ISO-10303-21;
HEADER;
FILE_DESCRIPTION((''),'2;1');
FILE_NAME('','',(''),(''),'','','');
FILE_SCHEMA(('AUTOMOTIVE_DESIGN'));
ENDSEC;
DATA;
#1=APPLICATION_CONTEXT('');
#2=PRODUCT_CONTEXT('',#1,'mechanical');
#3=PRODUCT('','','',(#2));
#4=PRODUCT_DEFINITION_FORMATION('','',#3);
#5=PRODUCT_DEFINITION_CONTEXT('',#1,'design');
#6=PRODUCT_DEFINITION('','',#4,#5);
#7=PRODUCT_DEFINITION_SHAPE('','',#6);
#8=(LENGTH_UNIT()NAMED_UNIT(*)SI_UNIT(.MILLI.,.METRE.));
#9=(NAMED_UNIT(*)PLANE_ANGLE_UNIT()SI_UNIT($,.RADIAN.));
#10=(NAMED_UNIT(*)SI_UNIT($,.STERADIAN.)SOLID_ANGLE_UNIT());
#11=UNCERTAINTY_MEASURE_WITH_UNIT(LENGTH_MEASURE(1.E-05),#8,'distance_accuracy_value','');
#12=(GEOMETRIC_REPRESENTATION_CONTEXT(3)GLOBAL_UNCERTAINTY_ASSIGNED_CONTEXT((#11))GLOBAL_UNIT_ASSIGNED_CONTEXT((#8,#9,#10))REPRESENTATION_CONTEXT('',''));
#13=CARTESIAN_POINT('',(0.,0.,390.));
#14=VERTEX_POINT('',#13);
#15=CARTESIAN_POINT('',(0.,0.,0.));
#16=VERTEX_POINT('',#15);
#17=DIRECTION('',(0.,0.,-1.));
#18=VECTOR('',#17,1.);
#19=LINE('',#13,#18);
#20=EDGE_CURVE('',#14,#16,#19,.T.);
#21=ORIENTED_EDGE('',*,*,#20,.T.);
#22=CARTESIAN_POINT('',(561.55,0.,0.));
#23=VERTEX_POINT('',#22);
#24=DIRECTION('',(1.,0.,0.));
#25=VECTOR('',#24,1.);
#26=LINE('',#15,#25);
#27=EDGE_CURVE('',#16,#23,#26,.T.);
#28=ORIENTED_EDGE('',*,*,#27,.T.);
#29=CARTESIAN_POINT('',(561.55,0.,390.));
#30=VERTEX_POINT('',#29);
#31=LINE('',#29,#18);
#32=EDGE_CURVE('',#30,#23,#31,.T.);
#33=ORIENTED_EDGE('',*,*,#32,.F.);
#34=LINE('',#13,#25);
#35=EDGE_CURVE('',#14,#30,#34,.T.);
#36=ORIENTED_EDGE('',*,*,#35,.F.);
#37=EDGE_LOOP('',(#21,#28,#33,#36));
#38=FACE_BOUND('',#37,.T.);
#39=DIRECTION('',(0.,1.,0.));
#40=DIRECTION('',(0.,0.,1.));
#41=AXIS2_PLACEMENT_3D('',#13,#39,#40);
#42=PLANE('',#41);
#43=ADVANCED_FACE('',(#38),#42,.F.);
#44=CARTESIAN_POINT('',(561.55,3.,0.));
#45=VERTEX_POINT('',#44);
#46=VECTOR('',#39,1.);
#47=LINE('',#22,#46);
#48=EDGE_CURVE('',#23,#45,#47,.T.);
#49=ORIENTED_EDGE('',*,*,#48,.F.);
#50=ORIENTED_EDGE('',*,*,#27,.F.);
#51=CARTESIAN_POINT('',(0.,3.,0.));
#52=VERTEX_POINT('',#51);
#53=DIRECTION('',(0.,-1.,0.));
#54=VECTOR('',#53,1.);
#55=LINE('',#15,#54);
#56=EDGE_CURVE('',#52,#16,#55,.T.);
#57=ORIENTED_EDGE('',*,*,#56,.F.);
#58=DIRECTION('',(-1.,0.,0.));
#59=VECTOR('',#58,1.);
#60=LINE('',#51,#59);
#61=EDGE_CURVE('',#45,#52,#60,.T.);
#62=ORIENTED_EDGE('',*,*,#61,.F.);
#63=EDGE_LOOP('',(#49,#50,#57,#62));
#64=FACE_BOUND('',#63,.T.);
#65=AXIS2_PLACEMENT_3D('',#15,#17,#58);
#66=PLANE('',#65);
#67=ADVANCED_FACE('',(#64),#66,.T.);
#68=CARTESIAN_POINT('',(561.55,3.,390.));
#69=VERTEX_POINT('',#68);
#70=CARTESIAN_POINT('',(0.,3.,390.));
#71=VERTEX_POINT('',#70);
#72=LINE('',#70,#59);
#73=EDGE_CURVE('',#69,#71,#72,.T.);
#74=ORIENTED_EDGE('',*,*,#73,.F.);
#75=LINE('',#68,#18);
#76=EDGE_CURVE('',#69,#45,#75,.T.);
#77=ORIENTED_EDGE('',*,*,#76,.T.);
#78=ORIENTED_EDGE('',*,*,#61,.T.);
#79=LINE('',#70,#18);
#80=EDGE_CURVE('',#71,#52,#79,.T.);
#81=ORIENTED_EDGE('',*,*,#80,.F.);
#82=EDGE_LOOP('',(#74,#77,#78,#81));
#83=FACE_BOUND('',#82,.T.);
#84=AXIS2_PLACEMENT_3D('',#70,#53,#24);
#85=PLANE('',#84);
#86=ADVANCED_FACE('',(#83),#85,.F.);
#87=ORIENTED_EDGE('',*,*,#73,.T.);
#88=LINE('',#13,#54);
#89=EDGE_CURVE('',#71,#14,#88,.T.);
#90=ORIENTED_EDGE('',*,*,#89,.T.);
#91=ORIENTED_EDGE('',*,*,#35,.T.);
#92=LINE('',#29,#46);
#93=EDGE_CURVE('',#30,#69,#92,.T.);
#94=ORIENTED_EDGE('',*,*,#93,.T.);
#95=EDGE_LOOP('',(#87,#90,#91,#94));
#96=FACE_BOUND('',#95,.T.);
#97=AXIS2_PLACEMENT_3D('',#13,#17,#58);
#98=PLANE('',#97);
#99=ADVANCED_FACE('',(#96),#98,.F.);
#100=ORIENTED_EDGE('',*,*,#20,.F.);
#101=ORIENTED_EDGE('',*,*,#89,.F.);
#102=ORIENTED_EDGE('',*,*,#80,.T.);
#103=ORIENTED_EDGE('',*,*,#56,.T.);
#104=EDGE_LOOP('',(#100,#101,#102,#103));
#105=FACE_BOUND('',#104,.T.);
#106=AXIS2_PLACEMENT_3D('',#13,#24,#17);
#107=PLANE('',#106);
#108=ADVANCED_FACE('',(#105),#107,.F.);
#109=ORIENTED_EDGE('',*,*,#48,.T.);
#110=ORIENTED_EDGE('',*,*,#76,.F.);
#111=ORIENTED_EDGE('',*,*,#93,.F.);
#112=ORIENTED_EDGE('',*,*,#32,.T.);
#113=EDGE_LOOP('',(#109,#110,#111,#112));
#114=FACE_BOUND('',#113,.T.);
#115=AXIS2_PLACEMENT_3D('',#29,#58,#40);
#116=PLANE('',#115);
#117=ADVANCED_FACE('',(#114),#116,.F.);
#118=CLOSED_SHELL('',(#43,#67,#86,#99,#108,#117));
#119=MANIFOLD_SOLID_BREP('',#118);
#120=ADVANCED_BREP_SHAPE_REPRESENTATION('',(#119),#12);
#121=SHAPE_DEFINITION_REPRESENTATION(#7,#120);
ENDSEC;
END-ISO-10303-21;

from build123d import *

# Parameters (mm, degrees)
SKETCH1_W           = 561.55
SKETCH1_H           = 3
BOSS_EXTRUDE1_DEPTH = 390


with BuildPart() as part:
    # Sketch1 → Boss-Extrude1 (new body)
    with BuildSketch(Plane.XY):
        with Locations((280.775, 1.5)):
            Rectangle(SKETCH1_W, SKETCH1_H)
    extrude(amount=BOSS_EXTRUDE1_DEPTH)


solid = part.part
